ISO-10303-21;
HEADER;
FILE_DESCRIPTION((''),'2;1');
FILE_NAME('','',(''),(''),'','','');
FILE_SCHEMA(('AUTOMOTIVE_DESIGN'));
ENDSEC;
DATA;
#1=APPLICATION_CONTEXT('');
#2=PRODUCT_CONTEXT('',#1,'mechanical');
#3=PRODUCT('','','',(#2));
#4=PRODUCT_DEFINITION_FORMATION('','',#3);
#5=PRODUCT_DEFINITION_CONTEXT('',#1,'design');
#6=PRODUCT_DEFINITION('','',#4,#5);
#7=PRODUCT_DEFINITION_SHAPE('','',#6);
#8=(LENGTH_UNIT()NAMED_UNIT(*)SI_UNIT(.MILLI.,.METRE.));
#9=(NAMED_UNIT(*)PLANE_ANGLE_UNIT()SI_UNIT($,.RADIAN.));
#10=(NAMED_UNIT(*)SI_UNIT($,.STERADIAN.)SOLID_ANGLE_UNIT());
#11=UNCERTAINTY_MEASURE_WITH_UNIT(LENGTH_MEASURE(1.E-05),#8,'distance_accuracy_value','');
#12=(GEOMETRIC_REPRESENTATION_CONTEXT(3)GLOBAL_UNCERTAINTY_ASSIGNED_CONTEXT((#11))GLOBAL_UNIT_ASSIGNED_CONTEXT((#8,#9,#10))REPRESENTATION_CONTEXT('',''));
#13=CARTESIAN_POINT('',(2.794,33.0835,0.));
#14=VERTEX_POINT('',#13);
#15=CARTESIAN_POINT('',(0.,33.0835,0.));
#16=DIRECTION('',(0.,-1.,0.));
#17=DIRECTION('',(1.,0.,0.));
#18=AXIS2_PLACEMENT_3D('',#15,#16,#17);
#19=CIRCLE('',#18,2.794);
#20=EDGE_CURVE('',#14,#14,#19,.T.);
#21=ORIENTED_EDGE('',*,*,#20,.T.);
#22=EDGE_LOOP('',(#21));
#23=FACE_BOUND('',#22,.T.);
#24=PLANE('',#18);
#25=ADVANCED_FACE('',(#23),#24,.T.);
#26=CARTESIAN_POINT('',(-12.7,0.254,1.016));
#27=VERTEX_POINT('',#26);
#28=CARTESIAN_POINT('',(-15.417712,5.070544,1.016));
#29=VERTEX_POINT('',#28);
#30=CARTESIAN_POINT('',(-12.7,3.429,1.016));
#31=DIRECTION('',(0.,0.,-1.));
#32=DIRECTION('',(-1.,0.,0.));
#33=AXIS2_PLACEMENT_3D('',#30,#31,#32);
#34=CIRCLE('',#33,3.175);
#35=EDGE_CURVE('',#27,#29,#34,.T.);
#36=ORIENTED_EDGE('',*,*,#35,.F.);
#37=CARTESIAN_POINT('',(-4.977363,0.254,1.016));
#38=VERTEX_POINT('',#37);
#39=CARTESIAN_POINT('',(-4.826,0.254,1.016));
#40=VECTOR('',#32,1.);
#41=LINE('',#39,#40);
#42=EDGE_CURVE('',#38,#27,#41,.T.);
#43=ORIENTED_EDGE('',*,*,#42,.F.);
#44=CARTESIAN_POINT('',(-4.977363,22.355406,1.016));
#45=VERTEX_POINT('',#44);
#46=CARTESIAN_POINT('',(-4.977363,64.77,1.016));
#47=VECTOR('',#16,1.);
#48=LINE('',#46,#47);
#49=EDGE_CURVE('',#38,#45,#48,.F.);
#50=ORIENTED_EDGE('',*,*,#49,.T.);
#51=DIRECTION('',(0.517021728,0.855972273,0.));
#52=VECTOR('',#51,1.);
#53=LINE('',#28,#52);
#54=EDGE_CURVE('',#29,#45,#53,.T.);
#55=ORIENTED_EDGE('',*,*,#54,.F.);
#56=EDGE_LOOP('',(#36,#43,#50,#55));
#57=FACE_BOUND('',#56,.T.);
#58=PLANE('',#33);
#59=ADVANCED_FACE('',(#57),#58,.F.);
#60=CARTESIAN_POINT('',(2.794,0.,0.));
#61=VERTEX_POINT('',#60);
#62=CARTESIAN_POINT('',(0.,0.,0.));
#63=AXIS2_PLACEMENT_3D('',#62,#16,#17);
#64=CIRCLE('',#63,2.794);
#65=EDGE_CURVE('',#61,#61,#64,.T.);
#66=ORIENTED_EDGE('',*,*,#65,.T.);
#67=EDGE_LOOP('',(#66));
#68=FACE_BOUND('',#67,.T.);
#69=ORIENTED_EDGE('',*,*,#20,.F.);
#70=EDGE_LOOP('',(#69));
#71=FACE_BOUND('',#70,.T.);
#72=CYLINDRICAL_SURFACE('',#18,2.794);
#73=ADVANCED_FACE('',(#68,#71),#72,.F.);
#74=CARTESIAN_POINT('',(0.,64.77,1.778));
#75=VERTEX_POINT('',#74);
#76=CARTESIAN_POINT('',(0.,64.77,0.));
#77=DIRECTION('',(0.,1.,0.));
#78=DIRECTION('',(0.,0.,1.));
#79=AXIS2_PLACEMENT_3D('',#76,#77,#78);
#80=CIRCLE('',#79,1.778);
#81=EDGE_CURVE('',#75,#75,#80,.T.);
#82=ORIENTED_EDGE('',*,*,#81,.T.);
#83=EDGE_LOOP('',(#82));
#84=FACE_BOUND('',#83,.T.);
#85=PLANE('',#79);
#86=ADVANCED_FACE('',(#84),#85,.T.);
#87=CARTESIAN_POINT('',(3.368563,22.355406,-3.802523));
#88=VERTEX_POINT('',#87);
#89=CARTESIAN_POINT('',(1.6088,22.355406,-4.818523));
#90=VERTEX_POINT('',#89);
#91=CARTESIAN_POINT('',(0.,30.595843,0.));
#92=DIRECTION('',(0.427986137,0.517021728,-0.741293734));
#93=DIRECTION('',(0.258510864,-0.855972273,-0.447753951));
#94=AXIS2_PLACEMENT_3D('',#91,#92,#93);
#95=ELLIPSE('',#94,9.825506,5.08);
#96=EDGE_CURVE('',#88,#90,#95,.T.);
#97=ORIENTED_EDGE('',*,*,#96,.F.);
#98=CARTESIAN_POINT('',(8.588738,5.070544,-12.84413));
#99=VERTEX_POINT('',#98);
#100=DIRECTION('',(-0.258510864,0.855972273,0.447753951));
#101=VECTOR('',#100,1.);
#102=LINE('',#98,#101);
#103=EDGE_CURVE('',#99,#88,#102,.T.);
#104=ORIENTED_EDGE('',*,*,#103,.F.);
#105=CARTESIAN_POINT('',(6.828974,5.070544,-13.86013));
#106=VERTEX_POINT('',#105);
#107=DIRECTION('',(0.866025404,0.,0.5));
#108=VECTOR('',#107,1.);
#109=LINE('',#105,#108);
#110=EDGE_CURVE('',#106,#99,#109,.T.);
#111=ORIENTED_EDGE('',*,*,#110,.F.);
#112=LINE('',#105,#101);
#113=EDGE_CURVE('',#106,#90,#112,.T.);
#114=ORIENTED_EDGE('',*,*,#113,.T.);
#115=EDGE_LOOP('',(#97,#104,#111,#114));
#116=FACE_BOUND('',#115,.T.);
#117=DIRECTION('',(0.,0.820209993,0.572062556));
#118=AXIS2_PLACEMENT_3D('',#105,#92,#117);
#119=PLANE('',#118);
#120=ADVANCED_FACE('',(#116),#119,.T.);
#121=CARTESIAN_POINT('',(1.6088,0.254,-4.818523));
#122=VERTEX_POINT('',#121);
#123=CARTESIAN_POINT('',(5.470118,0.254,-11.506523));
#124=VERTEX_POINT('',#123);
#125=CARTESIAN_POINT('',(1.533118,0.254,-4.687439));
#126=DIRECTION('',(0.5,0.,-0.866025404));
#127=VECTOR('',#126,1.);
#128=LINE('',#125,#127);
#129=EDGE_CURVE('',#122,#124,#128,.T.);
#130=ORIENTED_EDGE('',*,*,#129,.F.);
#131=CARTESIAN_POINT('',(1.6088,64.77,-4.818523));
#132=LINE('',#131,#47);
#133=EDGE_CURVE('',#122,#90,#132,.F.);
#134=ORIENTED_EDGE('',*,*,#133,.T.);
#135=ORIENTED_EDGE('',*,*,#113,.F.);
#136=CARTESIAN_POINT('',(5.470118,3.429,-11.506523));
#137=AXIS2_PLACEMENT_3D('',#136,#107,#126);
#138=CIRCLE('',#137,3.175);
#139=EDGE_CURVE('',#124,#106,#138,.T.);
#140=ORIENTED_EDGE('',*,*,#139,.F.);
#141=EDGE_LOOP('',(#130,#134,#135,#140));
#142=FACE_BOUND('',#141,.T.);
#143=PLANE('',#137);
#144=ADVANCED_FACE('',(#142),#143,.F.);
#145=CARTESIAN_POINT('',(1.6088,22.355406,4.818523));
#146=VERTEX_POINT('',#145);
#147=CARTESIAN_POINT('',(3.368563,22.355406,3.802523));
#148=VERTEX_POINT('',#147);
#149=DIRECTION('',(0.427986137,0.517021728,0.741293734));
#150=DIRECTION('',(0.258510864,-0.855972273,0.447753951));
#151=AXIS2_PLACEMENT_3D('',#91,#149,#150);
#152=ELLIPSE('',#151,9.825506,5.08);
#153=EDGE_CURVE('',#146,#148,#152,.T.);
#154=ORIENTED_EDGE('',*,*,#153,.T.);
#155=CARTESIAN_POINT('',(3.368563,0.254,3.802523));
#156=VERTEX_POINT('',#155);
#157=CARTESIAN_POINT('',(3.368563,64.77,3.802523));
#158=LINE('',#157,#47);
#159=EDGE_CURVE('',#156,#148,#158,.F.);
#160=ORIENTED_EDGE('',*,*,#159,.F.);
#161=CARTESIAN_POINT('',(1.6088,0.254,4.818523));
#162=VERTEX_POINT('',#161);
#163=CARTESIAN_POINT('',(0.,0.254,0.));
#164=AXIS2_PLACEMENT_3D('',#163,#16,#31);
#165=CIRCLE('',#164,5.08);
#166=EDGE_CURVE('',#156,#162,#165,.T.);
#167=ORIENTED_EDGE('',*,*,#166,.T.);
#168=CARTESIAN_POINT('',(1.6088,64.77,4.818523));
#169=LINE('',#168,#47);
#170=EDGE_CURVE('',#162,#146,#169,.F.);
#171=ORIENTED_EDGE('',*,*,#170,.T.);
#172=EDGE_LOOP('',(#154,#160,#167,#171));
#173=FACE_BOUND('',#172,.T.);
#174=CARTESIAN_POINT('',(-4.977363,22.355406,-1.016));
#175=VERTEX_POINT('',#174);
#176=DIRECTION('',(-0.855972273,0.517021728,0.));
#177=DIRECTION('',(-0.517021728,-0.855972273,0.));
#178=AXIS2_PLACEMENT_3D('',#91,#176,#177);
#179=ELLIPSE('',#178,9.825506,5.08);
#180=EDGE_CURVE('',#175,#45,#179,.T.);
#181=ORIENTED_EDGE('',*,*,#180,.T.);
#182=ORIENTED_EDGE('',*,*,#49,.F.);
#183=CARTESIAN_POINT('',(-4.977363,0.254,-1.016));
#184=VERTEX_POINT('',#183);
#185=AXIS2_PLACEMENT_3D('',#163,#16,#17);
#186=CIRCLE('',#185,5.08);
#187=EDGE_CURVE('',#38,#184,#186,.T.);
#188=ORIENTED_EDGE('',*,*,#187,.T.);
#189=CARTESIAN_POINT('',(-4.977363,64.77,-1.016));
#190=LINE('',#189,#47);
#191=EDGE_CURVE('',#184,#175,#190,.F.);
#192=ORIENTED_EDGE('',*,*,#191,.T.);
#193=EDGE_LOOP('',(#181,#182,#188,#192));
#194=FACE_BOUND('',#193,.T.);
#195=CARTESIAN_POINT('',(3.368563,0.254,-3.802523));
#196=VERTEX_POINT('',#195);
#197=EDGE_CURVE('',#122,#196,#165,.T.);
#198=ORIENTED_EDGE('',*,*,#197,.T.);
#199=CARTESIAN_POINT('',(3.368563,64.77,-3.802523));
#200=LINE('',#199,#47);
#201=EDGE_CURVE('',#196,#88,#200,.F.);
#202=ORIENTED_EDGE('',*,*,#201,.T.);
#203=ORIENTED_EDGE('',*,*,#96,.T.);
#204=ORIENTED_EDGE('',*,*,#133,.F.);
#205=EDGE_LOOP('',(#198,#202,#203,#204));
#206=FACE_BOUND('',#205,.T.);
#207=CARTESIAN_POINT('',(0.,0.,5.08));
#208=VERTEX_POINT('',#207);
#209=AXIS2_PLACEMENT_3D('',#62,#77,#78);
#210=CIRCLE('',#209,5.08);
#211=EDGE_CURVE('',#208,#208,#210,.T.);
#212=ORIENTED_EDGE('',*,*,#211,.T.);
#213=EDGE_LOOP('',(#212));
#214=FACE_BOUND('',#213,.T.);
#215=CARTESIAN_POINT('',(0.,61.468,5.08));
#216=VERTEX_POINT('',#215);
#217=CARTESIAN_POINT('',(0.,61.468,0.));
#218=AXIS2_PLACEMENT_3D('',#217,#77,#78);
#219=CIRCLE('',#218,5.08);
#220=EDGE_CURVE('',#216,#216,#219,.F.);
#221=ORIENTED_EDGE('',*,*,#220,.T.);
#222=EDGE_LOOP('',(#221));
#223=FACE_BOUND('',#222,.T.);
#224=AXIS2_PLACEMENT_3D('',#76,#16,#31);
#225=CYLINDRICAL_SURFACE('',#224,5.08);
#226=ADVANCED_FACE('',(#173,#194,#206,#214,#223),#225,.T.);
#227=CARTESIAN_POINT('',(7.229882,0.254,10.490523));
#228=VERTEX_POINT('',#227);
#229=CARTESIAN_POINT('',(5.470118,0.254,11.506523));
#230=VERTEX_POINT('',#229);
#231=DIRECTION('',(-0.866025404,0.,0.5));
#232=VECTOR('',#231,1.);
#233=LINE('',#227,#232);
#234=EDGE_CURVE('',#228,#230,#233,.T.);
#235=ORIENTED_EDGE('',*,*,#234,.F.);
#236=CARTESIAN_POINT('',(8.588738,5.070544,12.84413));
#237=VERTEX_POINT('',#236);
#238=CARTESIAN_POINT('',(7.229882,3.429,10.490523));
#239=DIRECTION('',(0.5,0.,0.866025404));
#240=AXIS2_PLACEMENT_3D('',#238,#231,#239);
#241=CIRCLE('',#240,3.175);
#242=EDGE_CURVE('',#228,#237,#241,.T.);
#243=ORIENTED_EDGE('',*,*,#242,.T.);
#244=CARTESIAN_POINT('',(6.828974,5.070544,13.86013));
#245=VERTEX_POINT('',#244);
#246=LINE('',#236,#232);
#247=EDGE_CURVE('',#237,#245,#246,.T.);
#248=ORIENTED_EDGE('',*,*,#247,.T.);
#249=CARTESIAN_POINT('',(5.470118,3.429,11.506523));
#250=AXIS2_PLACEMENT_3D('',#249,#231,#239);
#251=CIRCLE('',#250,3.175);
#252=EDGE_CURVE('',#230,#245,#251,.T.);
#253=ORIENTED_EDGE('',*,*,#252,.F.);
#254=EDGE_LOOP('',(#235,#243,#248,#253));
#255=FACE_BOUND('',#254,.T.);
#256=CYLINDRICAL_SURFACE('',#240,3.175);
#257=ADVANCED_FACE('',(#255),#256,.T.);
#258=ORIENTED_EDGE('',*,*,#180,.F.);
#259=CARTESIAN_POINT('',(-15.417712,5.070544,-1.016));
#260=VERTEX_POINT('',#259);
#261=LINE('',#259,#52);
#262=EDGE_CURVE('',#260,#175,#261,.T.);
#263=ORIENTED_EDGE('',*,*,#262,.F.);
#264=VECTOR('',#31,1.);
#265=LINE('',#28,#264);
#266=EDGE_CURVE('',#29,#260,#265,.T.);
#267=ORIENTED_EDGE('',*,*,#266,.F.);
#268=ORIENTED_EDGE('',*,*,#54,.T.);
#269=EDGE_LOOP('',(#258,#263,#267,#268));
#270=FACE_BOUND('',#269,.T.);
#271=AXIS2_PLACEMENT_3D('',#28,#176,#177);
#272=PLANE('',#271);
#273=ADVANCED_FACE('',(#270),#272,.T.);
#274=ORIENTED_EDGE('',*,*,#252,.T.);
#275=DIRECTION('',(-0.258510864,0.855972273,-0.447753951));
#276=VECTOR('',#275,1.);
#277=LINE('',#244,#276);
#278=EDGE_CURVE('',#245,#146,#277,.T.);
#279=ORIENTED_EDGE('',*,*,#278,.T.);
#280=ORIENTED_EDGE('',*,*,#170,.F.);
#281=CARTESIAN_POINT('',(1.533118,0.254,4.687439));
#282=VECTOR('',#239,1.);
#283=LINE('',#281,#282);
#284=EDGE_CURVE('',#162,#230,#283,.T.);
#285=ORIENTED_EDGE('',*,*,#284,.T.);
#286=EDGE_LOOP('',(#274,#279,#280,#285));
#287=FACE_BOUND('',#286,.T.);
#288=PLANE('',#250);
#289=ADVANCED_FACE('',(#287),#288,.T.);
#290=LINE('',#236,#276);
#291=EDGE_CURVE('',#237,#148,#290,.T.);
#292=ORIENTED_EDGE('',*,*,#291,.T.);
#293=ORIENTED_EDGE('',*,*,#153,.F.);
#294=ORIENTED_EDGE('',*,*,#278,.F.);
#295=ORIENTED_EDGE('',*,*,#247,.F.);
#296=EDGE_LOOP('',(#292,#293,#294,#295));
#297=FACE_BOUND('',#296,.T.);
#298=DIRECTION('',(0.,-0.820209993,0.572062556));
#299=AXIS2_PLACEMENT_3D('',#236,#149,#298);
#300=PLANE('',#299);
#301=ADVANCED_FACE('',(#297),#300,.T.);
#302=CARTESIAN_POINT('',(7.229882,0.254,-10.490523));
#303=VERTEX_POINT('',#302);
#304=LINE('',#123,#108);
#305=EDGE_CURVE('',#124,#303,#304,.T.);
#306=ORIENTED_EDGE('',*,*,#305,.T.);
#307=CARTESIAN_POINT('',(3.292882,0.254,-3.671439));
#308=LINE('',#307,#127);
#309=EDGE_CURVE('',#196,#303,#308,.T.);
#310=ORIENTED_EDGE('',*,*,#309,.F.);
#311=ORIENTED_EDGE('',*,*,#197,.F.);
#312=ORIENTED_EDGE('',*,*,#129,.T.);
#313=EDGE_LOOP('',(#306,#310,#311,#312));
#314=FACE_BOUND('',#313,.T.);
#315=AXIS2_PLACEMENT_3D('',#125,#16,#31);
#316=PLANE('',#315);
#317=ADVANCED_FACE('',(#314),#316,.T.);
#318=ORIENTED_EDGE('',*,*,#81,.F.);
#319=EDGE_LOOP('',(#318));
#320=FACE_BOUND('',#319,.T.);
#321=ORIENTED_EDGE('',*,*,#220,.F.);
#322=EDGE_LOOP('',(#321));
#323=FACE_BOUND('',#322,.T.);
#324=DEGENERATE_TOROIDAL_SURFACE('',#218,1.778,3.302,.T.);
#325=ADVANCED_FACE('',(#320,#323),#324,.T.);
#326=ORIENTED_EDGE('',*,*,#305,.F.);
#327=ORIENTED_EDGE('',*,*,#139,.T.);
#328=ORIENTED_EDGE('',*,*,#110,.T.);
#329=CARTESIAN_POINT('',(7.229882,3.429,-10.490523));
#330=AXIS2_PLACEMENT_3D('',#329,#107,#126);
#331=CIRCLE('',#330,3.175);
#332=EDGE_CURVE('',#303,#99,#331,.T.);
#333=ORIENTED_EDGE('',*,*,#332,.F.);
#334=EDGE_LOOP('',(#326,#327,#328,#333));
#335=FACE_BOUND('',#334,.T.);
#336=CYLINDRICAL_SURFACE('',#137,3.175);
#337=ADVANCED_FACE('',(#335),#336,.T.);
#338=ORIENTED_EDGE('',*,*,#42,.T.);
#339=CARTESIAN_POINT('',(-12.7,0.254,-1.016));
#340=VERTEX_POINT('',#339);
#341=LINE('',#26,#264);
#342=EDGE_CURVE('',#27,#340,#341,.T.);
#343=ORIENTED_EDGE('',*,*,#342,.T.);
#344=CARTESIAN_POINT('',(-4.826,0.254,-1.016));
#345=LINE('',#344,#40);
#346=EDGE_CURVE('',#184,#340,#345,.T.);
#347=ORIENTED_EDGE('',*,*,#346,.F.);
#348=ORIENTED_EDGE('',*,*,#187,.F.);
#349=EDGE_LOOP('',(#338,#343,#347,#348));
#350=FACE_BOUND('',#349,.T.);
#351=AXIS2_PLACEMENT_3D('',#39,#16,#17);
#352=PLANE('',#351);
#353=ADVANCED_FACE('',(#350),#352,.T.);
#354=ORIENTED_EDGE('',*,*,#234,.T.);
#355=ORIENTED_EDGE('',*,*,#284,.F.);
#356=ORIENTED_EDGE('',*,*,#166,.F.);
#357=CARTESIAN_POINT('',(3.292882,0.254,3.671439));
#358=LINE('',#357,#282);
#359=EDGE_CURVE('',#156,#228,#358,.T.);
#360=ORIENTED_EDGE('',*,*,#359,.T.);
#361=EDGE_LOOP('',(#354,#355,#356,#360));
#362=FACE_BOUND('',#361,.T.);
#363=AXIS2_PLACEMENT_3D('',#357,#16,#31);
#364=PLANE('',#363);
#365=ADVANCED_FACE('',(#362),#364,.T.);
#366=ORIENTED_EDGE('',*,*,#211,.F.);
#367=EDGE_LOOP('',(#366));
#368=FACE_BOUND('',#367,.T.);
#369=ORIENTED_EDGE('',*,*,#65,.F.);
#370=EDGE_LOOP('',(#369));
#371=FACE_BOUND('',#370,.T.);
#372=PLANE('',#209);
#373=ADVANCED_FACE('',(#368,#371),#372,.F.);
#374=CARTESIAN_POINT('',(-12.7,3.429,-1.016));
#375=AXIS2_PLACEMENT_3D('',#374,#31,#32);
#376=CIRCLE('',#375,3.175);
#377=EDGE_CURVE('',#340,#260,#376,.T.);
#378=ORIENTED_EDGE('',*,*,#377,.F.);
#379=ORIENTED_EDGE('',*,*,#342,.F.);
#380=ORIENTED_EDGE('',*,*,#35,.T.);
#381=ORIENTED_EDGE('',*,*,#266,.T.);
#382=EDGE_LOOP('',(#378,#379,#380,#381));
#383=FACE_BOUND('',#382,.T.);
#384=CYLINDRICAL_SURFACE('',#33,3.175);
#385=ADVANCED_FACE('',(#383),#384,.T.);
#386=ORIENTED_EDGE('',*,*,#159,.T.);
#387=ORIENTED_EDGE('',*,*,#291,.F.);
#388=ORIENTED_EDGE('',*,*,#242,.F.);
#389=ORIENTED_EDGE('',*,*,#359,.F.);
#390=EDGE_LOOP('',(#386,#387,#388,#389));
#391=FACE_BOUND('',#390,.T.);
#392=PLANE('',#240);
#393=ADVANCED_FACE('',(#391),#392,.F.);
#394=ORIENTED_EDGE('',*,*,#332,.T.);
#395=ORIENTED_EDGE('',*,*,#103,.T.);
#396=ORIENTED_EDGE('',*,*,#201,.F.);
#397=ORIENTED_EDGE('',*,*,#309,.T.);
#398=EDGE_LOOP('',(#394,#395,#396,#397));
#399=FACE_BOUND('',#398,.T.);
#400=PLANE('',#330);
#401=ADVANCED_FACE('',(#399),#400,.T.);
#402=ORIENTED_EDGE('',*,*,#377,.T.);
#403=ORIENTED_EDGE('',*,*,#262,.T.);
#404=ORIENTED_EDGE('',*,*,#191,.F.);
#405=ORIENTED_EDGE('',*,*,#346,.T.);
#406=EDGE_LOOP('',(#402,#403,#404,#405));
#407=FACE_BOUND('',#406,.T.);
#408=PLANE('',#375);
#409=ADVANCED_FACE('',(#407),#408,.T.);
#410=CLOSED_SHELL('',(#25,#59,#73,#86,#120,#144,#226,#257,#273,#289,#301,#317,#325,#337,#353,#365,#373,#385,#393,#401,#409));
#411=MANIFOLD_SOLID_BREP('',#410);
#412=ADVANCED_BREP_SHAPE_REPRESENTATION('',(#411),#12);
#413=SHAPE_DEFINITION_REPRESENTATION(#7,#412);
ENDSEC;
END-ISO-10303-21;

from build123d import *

# Parameters (mm, degrees)
SKETCH1_R           = 5.08
BASE_EXTRUDE_DEPTH  = 64.77
FILLET1_R           = 3.302
SKETCH4_W           = 2.794
SKETCH4_H           = 33.0835
BOSS_EXTRUDE1_DEPTH = 1.016
CIRPATTERN1_COUNT   = 3


with BuildPart() as part:
    # Sketch1 → Base-Extrude (new body)
    with BuildSketch(Plane(origin=(0, 0, 0), x_dir=(1, 0, 0), z_dir=(0, 1, 0))):
        with Locations(Location((0, 0, 0), (0, 0, 270))):
            Circle(SKETCH1_R)
    extrude(amount=BASE_EXTRUDE_DEPTH)

    # Fillet1
    fillet1_edges = [part.edges().sort_by_distance(p)[0] for p in [
        (0, 64.77, -5.08),
    ]]
    fillet(fillet1_edges, radius=FILLET1_R)

    # Sketch4 → Cut-Revolve1 (revolve, cut)
    with BuildSketch(Plane.XY, mode=Mode.PRIVATE) as cut_revolve1_sk:
        with Locations((-1.397, 16.54175)):
            Rectangle(SKETCH4_W, SKETCH4_H)
    revolve(cut_revolve1_sk.sketch.rotate(Axis((0, 33.0835, 0), (0, 1, 0)), 180), axis=Axis((0, 33.0835, 0), (0, 1, 0)), mode=Mode.SUBTRACT)

    # Sketch3 → Boss-Extrude1 (add, symmetric)
    with BuildSketch(Plane.XY):
        with BuildLine():
            Line((-4.826, 0.254), (-12.7, 0.254))
            ThreePointArc((-12.7, 0.254), (-15.465187802, 1.868755974), (-15.417711968, 5.070543987))
            Line((-15.417711968, 5.070543987), (-4.826, 22.606))
            Line((-4.826, 22.606), (-4.826, 0.254))
        make_face()
    boss_extrude1 = extrude(amount=BOSS_EXTRUDE1_DEPTH, both=True)

    # CirPattern1: Boss-Extrude1 ×3 about axis
    cirpattern1_axis = Axis((0, 0, 0), (0, 1, 0))
    for i in range(1, CIRPATTERN1_COUNT):
        add(boss_extrude1.rotate(cirpattern1_axis, i * 360 / CIRPATTERN1_COUNT))


solid = part.part
